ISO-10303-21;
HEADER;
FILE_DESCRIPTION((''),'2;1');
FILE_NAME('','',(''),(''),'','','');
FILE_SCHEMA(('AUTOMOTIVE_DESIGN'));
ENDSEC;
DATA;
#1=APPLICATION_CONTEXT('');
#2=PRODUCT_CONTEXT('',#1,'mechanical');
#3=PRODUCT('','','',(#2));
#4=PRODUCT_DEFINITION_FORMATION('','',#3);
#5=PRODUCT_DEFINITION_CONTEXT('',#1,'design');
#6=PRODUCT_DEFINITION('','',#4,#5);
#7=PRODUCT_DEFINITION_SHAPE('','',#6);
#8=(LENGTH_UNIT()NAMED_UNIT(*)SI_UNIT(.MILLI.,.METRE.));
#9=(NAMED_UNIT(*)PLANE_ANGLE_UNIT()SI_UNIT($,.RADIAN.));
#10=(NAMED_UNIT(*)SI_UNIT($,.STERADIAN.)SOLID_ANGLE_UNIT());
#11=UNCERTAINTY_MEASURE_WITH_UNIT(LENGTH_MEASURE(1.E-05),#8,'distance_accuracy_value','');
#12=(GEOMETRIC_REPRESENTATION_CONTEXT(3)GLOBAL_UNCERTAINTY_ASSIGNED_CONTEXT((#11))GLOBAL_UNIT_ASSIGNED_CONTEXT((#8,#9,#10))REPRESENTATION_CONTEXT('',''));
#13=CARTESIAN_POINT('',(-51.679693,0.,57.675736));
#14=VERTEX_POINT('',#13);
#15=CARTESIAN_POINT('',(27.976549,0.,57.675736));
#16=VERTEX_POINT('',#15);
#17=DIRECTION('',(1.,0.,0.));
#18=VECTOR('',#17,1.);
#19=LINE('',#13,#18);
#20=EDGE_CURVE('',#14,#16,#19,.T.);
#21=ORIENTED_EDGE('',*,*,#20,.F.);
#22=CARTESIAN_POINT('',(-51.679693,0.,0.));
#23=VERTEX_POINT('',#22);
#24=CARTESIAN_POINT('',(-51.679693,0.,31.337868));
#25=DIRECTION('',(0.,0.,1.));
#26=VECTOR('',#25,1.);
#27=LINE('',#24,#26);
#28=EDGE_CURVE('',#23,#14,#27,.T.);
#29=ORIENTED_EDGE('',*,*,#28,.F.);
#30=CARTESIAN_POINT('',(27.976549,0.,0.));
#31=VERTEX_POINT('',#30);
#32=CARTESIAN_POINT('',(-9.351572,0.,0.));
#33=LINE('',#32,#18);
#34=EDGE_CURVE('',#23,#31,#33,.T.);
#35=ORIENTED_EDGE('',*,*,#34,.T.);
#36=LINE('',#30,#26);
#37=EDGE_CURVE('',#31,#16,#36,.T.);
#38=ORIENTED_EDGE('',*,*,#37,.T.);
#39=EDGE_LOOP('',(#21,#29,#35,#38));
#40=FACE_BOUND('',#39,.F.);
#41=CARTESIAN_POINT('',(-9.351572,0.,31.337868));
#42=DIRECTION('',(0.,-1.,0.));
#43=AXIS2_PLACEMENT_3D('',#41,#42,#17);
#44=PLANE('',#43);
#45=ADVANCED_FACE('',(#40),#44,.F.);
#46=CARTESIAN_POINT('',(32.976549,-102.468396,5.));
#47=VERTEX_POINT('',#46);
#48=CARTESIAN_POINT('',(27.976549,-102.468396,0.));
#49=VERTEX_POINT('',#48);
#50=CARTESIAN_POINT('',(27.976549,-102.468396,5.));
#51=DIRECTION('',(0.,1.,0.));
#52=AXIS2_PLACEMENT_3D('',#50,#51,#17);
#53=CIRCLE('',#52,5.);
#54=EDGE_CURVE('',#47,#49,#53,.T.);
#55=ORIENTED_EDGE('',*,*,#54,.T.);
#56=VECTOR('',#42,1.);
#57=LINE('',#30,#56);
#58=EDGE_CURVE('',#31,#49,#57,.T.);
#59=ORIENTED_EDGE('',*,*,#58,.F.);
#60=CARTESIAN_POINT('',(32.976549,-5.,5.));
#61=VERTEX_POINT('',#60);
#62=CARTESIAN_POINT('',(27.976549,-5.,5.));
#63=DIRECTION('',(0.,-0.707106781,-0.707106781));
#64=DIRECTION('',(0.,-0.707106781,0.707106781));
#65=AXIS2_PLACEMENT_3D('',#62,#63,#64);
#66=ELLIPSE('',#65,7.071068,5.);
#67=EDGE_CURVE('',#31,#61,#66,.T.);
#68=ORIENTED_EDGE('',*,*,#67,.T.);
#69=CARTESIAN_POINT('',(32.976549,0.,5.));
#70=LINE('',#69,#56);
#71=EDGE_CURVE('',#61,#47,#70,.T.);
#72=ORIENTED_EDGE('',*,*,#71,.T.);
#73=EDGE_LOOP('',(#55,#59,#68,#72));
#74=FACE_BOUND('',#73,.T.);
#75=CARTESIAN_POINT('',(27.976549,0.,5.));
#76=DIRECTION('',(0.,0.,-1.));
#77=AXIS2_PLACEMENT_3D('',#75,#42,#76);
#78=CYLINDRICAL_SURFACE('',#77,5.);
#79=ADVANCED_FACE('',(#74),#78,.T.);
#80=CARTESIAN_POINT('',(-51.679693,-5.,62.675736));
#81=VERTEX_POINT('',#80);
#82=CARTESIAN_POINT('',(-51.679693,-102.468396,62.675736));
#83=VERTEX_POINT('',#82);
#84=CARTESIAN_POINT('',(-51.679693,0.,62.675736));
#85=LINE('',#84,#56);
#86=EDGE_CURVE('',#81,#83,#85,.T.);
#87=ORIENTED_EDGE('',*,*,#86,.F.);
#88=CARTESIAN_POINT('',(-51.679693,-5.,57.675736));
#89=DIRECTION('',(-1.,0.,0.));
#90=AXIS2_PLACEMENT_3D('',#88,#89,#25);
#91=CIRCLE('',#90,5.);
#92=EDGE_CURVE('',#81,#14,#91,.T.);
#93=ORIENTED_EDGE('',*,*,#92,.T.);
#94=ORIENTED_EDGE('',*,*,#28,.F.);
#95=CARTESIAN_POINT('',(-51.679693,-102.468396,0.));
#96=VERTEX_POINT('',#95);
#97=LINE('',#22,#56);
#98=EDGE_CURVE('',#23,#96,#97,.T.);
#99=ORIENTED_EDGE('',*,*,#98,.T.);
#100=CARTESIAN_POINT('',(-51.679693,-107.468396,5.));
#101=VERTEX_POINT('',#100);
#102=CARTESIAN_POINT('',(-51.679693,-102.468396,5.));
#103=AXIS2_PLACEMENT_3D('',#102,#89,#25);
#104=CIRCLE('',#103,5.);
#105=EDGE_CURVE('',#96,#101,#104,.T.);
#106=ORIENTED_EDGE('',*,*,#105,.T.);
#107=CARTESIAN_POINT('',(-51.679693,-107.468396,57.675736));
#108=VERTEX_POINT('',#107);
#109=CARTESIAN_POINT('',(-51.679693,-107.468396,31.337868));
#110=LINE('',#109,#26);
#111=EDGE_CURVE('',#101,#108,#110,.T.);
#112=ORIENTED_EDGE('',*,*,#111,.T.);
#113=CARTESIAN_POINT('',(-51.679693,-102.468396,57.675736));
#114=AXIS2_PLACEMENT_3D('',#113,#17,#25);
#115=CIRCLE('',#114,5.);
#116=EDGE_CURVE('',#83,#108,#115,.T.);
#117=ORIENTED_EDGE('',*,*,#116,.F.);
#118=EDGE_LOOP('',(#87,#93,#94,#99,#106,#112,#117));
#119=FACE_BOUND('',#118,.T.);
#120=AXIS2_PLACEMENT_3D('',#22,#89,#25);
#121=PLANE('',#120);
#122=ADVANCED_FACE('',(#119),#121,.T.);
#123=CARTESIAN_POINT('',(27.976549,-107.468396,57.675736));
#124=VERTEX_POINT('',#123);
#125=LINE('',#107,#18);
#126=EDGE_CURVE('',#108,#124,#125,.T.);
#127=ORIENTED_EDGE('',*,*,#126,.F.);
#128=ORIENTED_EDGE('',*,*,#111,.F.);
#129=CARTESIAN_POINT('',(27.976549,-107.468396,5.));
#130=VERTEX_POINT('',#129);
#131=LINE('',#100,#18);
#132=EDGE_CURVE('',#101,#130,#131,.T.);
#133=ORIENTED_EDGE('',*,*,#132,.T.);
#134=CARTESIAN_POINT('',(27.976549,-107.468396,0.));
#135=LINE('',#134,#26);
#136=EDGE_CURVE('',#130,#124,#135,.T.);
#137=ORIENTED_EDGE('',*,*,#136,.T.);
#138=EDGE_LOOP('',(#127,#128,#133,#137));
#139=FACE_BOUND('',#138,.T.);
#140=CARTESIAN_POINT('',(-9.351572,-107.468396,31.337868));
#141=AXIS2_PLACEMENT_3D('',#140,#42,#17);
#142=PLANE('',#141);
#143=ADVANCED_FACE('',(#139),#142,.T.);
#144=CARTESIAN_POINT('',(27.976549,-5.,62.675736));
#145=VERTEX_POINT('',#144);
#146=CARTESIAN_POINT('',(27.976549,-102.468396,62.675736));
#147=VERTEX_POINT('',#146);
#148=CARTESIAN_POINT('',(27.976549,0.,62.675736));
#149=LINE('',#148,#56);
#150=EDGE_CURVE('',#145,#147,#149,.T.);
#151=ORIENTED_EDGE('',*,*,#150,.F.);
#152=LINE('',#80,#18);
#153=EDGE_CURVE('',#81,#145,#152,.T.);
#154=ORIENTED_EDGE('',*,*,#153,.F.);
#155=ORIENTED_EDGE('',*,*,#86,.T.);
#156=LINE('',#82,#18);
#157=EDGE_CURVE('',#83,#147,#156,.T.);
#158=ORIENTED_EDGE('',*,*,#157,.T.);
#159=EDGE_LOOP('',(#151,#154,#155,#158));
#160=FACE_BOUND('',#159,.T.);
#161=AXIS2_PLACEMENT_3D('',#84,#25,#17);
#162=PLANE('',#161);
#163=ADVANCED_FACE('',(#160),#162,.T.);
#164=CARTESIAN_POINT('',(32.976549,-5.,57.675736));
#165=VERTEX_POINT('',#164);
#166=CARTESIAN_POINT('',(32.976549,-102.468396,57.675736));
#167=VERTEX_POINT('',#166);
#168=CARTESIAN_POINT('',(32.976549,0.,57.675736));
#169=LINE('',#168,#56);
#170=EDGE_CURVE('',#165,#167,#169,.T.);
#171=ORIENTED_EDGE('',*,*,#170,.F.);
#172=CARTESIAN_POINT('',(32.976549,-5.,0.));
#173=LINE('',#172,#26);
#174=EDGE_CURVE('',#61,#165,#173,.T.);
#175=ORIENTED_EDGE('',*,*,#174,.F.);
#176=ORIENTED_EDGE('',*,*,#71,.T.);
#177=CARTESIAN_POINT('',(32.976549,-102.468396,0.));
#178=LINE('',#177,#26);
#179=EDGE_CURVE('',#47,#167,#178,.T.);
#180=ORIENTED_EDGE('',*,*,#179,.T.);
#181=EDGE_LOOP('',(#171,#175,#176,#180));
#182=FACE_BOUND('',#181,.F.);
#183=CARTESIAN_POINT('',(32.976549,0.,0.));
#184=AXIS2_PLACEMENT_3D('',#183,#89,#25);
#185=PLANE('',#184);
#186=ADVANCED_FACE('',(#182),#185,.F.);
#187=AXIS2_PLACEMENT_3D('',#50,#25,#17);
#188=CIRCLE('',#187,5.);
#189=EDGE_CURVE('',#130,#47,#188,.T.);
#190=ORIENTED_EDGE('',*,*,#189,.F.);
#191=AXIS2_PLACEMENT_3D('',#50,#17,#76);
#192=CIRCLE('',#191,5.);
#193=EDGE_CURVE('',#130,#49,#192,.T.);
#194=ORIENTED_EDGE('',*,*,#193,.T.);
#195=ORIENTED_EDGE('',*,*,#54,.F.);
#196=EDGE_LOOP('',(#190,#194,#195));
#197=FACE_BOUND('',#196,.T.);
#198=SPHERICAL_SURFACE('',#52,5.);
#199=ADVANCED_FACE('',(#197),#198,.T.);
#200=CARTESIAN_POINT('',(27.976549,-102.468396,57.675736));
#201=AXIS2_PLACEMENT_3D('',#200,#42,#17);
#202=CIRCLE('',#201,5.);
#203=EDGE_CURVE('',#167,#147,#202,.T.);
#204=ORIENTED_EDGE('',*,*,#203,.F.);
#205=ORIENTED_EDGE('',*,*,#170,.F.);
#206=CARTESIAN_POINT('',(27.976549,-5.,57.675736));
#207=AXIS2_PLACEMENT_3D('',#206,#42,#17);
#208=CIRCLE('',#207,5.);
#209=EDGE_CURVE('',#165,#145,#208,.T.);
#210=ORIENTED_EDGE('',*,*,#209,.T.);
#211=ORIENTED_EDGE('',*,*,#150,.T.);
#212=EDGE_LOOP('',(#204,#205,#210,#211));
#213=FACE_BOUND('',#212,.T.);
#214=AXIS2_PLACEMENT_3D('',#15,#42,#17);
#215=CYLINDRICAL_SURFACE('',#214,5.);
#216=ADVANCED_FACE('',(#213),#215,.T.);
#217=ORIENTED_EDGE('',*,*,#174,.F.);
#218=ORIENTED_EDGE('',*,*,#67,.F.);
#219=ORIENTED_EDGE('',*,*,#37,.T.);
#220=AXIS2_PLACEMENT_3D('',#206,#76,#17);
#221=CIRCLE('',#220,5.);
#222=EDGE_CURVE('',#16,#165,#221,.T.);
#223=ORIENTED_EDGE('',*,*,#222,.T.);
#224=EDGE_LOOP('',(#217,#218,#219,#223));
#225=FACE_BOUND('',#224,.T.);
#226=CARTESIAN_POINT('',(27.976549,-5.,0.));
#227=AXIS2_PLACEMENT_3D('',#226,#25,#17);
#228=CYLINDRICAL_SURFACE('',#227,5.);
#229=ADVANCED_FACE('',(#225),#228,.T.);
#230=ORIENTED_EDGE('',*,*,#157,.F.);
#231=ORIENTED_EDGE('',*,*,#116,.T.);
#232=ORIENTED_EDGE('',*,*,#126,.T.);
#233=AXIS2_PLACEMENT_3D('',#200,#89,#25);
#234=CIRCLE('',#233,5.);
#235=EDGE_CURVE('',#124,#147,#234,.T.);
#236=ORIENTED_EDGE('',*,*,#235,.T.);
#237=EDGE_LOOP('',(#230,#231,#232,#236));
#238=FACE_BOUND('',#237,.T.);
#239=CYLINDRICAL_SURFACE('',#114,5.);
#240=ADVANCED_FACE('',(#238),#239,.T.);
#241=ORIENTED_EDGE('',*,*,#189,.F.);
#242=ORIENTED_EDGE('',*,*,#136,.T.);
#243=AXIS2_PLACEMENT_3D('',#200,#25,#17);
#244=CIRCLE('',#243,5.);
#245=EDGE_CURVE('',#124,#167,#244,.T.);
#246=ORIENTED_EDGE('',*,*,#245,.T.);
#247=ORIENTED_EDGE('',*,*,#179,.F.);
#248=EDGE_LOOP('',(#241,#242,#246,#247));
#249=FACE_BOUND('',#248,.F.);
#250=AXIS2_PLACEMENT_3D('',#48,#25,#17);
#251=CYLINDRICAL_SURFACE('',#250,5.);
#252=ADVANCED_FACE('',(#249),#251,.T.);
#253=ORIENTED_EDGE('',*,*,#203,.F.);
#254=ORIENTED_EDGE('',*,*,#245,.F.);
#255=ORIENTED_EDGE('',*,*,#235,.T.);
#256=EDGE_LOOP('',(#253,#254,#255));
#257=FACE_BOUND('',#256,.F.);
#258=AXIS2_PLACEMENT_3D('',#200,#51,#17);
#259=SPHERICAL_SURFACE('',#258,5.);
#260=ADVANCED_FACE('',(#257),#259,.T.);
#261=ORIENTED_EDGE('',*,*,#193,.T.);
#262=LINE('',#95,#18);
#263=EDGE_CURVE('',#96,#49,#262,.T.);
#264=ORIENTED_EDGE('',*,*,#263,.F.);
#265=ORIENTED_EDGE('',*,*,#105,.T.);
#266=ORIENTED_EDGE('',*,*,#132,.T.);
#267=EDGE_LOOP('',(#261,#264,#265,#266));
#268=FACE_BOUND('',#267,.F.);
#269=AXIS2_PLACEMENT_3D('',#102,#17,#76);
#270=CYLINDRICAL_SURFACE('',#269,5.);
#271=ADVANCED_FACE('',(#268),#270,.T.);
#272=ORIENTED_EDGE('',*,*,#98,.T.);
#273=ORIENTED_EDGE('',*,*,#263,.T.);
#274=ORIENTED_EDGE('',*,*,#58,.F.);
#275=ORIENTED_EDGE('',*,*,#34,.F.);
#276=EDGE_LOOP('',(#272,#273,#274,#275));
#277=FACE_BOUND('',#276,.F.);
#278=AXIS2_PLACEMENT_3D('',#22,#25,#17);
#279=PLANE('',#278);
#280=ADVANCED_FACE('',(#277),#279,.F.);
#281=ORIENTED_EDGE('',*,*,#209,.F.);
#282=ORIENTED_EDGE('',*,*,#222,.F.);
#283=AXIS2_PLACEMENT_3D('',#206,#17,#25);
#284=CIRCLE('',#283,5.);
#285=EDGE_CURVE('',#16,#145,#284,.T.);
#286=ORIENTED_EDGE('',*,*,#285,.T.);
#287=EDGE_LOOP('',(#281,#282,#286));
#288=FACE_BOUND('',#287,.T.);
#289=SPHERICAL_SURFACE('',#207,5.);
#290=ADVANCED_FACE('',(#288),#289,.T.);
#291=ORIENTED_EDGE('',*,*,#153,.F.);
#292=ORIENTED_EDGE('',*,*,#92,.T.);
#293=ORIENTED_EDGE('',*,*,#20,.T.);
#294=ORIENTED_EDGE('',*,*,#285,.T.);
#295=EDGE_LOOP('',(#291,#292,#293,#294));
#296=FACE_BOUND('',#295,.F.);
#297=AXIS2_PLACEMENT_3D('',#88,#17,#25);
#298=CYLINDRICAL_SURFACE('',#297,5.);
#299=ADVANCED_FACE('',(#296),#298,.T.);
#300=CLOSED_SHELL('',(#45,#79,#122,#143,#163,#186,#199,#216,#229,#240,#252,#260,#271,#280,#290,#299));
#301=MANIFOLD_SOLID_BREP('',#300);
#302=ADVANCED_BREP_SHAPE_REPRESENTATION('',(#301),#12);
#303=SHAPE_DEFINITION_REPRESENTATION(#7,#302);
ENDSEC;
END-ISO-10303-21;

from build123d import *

# Parameters (mm, degrees)
F0_W     = 84.656242
F0_H     = 62.675737
F1_DEPTH = 107.468396
F2_R     = 5


with BuildPart() as f1:
    # F0 (on Front) → F1 (new body)
    with BuildSketch(Plane.XZ):
        with Locations((-9.351572, 31.337868)):
            Rectangle(F0_W, F0_H)
    extrude(amount=F1_DEPTH)

    # F2
    f2_edges = [f1.edges().sort_by_distance(p)[0] for p in [
        (32.976549, -53.734198, 0),
        (32.976549, -53.734198, 62.675737),
        (32.976549, 0, 31.337868),
        (32.976549, -107.468396, 31.337868),
        (-9.351572, -107.468396, 62.675737),
        (-9.351572, 0, 62.675737),
        (-9.351572, -107.468396, 0),
    ]]
    fillet(f2_edges, radius=F2_R)


solid = f1.part
